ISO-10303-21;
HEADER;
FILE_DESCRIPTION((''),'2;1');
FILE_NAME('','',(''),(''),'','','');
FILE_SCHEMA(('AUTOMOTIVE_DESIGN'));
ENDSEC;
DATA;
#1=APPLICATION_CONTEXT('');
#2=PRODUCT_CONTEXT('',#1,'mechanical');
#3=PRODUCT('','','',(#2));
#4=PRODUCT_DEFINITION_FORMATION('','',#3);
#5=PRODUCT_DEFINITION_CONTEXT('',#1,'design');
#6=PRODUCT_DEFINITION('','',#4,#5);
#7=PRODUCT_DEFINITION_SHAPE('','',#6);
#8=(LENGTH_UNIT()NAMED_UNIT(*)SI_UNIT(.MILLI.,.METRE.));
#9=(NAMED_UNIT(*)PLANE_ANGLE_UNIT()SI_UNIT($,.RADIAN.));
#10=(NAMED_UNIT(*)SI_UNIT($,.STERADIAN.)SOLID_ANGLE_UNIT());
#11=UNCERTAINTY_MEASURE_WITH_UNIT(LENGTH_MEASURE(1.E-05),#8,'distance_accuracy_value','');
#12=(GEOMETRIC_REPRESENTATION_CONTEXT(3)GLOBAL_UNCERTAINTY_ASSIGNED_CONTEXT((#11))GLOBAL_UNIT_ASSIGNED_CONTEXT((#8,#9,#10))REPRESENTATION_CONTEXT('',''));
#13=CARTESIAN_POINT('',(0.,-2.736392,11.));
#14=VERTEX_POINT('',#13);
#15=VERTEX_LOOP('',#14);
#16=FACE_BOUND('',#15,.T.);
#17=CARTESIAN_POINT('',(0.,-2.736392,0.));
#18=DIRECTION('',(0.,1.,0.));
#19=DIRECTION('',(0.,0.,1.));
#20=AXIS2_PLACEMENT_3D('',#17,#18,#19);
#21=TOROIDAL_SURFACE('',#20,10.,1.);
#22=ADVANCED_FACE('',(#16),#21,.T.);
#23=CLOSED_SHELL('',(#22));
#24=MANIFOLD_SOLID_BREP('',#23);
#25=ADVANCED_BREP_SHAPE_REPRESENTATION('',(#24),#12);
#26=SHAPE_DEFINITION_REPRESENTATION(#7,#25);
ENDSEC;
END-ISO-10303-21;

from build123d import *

# Parameters (mm, degrees)
ESQUISSE1_R = 1


with BuildPart() as part:
    # Esquisse1 → Révolution1 (revolve)
    with BuildSketch(Plane.XY, mode=Mode.PRIVATE) as r_volution1_sk:
        with Locations((10, -2.736392)):
            Circle(ESQUISSE1_R)
    revolve(r_volution1_sk.sketch.rotate(Axis((0, 34.708969072, 0), (0, -1, 0)), 90), axis=Axis((0, 34.708969072, 0), (0, -1, 0)))  # turned: the seam where the file's is


solid = part.part
